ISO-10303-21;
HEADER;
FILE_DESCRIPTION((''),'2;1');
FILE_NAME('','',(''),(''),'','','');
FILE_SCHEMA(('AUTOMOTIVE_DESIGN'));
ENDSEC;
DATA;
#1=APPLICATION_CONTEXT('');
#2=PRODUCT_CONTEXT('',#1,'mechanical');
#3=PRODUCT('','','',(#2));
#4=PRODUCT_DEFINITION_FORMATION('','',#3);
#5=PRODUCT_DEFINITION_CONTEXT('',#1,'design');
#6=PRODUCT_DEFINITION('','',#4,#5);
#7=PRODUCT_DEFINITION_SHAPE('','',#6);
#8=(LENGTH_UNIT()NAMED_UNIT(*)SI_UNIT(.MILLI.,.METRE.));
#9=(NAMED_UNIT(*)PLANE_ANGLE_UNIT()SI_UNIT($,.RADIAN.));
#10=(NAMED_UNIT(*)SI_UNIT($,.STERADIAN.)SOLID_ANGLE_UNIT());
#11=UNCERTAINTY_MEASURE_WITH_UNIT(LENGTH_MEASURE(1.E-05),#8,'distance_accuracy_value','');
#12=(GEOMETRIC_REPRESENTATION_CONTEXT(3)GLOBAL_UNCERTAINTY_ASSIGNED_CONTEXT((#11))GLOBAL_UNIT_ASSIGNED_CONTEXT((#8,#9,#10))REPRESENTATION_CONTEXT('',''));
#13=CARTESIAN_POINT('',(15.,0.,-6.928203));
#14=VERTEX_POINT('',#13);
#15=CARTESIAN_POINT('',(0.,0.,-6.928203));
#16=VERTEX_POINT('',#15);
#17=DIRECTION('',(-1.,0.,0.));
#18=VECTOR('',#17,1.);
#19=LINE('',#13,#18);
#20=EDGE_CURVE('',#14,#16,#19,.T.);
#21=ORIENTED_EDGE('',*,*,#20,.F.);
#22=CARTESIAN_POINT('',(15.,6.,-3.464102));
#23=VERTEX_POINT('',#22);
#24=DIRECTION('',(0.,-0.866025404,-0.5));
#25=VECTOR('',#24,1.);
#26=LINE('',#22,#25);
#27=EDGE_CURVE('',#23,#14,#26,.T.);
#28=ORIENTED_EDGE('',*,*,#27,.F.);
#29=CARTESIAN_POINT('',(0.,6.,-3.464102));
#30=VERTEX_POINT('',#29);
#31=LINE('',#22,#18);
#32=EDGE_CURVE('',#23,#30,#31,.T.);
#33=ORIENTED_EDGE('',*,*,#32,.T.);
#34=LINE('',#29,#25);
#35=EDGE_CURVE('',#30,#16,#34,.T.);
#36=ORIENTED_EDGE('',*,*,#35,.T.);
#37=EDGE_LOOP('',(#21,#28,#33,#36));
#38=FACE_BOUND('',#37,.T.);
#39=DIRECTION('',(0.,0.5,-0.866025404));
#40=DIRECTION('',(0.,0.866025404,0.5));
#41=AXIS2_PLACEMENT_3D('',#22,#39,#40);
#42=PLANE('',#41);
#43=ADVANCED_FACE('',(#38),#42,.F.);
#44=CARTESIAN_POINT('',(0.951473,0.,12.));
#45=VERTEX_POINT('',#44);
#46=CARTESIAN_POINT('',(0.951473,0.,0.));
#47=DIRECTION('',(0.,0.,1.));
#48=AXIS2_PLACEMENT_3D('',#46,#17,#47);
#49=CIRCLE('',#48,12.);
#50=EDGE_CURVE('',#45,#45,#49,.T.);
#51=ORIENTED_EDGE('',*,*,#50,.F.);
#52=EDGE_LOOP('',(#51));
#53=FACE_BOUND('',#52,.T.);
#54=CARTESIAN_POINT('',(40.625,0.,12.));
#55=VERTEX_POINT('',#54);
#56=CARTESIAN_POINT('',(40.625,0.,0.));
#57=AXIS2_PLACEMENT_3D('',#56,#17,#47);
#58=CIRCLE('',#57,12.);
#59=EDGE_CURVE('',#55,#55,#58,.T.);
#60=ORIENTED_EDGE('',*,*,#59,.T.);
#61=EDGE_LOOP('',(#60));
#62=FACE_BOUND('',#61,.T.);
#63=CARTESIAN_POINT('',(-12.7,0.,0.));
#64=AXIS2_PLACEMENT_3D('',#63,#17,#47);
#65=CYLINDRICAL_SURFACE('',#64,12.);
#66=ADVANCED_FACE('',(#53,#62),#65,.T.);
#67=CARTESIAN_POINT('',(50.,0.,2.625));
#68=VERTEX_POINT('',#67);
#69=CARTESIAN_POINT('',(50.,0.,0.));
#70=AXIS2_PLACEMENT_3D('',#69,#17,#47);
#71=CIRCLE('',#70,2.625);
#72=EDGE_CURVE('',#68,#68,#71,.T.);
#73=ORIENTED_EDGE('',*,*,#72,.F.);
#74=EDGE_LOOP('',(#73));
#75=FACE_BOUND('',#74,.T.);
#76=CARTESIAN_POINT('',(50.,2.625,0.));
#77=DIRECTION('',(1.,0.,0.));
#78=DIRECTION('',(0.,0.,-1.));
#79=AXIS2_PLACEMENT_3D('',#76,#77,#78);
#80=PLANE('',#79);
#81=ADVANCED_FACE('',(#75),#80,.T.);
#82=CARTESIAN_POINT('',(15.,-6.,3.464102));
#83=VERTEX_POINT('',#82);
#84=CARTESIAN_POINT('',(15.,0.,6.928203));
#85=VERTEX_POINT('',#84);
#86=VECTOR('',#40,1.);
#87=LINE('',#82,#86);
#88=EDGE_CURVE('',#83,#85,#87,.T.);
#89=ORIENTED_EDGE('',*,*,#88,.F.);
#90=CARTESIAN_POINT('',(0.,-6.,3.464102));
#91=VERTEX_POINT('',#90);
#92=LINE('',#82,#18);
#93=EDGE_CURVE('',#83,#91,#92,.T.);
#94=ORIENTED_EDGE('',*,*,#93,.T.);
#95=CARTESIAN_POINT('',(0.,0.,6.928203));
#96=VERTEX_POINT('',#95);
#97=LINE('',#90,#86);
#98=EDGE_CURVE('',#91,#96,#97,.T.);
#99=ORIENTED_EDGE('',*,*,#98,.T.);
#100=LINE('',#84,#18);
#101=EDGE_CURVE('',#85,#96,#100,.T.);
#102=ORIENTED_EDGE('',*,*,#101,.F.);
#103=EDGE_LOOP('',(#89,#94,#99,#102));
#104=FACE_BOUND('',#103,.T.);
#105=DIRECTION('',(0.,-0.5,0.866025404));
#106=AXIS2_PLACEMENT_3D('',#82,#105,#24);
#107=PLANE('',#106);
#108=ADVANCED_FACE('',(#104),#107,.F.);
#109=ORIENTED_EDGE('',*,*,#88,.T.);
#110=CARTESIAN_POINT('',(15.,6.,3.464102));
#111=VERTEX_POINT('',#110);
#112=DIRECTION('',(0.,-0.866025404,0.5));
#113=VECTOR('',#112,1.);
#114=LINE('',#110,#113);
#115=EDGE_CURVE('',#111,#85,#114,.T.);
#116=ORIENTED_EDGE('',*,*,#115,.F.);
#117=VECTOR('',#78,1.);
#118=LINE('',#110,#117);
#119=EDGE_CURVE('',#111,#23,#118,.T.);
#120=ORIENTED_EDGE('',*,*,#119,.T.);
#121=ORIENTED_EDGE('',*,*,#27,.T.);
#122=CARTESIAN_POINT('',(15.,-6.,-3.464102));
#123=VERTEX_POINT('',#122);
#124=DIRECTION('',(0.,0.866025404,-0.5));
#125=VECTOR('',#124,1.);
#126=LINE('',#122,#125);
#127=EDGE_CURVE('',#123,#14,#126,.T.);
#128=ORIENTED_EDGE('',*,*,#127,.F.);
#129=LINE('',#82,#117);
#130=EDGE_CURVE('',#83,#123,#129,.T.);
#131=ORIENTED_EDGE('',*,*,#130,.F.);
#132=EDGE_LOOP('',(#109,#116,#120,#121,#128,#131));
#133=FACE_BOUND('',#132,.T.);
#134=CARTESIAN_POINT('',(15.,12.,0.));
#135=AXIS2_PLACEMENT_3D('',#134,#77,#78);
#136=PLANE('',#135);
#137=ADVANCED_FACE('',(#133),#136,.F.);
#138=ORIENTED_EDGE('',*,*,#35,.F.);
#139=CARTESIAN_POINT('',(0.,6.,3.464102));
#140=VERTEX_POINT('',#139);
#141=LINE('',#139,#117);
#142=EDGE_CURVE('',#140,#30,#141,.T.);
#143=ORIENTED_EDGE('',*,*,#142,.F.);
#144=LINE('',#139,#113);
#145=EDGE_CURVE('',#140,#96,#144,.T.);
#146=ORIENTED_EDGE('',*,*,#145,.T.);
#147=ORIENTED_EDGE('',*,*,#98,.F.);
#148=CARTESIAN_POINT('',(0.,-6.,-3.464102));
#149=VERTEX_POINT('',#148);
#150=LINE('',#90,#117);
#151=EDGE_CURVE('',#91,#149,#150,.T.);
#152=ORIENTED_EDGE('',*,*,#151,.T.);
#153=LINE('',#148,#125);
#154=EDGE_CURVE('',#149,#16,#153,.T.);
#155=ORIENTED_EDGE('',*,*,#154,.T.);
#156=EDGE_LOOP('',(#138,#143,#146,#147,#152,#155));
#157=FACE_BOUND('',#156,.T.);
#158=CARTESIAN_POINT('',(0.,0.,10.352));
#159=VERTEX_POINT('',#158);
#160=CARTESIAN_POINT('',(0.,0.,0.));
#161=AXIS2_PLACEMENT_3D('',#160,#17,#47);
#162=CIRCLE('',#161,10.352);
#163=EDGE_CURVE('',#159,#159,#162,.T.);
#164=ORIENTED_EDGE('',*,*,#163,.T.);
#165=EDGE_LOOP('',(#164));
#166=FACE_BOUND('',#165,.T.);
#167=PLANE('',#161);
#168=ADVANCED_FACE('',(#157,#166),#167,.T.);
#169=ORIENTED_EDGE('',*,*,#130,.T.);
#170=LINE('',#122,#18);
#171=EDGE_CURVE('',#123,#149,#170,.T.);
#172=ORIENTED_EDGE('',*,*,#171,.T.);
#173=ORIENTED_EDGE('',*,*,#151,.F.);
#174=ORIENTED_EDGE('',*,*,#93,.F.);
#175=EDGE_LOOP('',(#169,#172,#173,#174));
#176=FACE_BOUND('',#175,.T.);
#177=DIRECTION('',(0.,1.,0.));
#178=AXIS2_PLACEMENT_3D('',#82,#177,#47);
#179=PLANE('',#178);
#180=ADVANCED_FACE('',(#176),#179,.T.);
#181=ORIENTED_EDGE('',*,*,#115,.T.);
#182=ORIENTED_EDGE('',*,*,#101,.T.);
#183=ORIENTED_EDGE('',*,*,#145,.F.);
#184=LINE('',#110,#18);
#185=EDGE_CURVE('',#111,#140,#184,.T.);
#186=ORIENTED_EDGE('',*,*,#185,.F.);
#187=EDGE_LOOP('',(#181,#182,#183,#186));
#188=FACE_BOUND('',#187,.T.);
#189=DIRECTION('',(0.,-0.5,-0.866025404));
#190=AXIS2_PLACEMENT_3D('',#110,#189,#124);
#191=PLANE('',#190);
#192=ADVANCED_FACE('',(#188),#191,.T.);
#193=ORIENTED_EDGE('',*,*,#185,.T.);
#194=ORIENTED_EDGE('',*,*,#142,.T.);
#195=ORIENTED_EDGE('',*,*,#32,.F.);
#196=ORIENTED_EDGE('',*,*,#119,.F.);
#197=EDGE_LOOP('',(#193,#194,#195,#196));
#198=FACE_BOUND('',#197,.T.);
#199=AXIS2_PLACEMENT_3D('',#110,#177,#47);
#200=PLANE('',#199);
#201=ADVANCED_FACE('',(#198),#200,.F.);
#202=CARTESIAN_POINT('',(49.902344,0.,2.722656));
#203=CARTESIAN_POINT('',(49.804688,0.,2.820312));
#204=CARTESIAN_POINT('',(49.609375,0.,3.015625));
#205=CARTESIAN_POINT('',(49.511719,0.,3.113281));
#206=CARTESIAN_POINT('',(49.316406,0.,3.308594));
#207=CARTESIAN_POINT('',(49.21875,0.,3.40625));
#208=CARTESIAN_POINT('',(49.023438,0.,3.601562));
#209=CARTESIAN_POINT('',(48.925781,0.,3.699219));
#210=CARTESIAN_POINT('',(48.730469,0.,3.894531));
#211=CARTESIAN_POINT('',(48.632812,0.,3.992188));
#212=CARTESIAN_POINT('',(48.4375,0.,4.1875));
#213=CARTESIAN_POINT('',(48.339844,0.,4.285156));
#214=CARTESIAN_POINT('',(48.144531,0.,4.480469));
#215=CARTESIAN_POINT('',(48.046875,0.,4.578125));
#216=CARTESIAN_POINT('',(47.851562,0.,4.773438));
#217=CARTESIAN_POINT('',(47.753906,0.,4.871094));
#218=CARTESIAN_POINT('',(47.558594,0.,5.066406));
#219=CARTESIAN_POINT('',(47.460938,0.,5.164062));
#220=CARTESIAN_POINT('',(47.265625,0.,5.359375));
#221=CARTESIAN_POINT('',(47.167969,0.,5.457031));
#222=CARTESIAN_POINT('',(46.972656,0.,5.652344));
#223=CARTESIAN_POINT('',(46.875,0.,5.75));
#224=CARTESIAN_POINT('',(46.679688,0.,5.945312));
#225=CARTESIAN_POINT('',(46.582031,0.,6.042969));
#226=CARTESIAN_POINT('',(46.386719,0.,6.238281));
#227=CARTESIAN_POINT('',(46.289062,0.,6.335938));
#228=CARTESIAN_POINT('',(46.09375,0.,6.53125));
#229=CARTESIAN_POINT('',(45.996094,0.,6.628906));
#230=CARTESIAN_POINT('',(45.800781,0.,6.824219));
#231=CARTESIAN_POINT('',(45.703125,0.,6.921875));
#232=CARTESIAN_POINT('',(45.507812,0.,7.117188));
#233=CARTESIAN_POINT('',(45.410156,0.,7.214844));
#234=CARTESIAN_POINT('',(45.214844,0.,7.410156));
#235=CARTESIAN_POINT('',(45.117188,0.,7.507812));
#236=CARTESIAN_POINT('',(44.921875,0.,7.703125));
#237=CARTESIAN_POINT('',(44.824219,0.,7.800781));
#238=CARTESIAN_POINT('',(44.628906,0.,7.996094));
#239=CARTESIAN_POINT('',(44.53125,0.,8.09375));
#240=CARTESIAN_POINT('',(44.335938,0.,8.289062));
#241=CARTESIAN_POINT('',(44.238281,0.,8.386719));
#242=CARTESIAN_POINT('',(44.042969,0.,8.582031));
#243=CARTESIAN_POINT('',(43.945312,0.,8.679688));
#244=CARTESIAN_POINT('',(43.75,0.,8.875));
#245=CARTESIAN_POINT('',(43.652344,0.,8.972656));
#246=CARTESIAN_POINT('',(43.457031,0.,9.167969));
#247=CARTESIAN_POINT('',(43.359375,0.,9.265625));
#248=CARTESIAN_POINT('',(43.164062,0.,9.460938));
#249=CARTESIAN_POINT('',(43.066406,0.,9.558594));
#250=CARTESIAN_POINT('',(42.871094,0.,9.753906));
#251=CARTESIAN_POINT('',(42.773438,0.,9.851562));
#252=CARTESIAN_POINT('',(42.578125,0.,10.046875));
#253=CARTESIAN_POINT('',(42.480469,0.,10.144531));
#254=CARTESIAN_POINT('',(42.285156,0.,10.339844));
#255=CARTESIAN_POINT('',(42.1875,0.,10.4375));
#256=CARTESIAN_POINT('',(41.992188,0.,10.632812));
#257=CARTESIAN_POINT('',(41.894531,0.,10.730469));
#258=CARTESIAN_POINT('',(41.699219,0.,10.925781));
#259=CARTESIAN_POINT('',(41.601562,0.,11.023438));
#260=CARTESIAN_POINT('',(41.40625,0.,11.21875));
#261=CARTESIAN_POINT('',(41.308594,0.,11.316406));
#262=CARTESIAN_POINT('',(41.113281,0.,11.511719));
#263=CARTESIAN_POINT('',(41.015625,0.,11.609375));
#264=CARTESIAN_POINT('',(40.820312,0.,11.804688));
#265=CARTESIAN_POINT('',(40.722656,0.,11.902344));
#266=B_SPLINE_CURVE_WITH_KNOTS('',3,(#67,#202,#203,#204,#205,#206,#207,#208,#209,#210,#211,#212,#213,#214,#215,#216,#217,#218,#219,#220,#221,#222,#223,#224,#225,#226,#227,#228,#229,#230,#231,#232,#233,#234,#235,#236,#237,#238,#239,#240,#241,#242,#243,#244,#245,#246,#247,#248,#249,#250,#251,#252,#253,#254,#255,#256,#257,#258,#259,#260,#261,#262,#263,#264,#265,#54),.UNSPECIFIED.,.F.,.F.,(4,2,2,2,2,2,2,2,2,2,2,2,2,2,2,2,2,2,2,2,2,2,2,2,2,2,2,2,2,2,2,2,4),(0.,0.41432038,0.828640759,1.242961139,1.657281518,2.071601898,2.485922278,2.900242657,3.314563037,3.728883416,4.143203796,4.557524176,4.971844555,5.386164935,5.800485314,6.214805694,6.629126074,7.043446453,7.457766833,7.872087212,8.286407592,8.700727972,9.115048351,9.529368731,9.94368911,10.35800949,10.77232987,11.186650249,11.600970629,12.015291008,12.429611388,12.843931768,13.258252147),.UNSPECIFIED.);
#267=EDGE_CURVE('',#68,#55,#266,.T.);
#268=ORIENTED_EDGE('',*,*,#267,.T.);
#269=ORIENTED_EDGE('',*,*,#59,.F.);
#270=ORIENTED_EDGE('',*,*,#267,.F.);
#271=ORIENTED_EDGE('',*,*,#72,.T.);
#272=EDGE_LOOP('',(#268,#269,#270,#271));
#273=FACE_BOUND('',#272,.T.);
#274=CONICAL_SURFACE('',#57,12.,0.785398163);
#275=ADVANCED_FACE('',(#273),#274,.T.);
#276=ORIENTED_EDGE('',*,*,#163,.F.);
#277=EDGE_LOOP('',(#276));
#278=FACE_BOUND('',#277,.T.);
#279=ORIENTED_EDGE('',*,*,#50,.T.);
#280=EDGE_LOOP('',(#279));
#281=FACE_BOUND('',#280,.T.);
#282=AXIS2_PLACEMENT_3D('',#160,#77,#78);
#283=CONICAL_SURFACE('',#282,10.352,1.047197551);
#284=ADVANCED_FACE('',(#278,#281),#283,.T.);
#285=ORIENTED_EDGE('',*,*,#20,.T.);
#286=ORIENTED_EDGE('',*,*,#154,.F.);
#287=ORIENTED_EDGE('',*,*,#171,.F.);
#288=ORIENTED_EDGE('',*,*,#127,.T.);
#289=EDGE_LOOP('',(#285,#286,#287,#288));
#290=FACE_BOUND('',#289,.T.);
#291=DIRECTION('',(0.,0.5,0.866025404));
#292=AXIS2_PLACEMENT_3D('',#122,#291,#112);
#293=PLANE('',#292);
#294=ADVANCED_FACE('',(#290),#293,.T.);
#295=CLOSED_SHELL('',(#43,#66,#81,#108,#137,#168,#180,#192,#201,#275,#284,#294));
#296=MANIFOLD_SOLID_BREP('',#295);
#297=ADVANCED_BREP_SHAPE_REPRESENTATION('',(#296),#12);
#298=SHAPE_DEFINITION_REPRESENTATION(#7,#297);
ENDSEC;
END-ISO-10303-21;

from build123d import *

# Parameters (mm, degrees)
HEX_2_DEPTH = 15


with BuildPart() as part:
    # BodySke → BaseBody (revolve)
    with BuildSketch(Plane.XY, mode=Mode.PRIVATE) as basebody_sk:
        Polygon((0, 0), (0, 10.352), (0.951473244, 12), (40.625, 12), (50, 2.625), (50, 0), align=None)
    revolve(basebody_sk.sketch.rotate(Axis((-12.7, 0, 0), (1, 0, 0)), 90), axis=Axis((-12.7, 0, 0), (1, 0, 0)))

    # Sketch2 → Hex 2 (cut)
    with BuildSketch(Plane.ZY):
        Polygon((3.464101615, 6), (-3.464101615, 6), (-6.92820323, 0), (-3.464101615, -6), (3.464101615, -6), (6.92820323, 0), align=None)
    extrude(amount=-HEX_2_DEPTH, mode=Mode.SUBTRACT)


solid = part.part
